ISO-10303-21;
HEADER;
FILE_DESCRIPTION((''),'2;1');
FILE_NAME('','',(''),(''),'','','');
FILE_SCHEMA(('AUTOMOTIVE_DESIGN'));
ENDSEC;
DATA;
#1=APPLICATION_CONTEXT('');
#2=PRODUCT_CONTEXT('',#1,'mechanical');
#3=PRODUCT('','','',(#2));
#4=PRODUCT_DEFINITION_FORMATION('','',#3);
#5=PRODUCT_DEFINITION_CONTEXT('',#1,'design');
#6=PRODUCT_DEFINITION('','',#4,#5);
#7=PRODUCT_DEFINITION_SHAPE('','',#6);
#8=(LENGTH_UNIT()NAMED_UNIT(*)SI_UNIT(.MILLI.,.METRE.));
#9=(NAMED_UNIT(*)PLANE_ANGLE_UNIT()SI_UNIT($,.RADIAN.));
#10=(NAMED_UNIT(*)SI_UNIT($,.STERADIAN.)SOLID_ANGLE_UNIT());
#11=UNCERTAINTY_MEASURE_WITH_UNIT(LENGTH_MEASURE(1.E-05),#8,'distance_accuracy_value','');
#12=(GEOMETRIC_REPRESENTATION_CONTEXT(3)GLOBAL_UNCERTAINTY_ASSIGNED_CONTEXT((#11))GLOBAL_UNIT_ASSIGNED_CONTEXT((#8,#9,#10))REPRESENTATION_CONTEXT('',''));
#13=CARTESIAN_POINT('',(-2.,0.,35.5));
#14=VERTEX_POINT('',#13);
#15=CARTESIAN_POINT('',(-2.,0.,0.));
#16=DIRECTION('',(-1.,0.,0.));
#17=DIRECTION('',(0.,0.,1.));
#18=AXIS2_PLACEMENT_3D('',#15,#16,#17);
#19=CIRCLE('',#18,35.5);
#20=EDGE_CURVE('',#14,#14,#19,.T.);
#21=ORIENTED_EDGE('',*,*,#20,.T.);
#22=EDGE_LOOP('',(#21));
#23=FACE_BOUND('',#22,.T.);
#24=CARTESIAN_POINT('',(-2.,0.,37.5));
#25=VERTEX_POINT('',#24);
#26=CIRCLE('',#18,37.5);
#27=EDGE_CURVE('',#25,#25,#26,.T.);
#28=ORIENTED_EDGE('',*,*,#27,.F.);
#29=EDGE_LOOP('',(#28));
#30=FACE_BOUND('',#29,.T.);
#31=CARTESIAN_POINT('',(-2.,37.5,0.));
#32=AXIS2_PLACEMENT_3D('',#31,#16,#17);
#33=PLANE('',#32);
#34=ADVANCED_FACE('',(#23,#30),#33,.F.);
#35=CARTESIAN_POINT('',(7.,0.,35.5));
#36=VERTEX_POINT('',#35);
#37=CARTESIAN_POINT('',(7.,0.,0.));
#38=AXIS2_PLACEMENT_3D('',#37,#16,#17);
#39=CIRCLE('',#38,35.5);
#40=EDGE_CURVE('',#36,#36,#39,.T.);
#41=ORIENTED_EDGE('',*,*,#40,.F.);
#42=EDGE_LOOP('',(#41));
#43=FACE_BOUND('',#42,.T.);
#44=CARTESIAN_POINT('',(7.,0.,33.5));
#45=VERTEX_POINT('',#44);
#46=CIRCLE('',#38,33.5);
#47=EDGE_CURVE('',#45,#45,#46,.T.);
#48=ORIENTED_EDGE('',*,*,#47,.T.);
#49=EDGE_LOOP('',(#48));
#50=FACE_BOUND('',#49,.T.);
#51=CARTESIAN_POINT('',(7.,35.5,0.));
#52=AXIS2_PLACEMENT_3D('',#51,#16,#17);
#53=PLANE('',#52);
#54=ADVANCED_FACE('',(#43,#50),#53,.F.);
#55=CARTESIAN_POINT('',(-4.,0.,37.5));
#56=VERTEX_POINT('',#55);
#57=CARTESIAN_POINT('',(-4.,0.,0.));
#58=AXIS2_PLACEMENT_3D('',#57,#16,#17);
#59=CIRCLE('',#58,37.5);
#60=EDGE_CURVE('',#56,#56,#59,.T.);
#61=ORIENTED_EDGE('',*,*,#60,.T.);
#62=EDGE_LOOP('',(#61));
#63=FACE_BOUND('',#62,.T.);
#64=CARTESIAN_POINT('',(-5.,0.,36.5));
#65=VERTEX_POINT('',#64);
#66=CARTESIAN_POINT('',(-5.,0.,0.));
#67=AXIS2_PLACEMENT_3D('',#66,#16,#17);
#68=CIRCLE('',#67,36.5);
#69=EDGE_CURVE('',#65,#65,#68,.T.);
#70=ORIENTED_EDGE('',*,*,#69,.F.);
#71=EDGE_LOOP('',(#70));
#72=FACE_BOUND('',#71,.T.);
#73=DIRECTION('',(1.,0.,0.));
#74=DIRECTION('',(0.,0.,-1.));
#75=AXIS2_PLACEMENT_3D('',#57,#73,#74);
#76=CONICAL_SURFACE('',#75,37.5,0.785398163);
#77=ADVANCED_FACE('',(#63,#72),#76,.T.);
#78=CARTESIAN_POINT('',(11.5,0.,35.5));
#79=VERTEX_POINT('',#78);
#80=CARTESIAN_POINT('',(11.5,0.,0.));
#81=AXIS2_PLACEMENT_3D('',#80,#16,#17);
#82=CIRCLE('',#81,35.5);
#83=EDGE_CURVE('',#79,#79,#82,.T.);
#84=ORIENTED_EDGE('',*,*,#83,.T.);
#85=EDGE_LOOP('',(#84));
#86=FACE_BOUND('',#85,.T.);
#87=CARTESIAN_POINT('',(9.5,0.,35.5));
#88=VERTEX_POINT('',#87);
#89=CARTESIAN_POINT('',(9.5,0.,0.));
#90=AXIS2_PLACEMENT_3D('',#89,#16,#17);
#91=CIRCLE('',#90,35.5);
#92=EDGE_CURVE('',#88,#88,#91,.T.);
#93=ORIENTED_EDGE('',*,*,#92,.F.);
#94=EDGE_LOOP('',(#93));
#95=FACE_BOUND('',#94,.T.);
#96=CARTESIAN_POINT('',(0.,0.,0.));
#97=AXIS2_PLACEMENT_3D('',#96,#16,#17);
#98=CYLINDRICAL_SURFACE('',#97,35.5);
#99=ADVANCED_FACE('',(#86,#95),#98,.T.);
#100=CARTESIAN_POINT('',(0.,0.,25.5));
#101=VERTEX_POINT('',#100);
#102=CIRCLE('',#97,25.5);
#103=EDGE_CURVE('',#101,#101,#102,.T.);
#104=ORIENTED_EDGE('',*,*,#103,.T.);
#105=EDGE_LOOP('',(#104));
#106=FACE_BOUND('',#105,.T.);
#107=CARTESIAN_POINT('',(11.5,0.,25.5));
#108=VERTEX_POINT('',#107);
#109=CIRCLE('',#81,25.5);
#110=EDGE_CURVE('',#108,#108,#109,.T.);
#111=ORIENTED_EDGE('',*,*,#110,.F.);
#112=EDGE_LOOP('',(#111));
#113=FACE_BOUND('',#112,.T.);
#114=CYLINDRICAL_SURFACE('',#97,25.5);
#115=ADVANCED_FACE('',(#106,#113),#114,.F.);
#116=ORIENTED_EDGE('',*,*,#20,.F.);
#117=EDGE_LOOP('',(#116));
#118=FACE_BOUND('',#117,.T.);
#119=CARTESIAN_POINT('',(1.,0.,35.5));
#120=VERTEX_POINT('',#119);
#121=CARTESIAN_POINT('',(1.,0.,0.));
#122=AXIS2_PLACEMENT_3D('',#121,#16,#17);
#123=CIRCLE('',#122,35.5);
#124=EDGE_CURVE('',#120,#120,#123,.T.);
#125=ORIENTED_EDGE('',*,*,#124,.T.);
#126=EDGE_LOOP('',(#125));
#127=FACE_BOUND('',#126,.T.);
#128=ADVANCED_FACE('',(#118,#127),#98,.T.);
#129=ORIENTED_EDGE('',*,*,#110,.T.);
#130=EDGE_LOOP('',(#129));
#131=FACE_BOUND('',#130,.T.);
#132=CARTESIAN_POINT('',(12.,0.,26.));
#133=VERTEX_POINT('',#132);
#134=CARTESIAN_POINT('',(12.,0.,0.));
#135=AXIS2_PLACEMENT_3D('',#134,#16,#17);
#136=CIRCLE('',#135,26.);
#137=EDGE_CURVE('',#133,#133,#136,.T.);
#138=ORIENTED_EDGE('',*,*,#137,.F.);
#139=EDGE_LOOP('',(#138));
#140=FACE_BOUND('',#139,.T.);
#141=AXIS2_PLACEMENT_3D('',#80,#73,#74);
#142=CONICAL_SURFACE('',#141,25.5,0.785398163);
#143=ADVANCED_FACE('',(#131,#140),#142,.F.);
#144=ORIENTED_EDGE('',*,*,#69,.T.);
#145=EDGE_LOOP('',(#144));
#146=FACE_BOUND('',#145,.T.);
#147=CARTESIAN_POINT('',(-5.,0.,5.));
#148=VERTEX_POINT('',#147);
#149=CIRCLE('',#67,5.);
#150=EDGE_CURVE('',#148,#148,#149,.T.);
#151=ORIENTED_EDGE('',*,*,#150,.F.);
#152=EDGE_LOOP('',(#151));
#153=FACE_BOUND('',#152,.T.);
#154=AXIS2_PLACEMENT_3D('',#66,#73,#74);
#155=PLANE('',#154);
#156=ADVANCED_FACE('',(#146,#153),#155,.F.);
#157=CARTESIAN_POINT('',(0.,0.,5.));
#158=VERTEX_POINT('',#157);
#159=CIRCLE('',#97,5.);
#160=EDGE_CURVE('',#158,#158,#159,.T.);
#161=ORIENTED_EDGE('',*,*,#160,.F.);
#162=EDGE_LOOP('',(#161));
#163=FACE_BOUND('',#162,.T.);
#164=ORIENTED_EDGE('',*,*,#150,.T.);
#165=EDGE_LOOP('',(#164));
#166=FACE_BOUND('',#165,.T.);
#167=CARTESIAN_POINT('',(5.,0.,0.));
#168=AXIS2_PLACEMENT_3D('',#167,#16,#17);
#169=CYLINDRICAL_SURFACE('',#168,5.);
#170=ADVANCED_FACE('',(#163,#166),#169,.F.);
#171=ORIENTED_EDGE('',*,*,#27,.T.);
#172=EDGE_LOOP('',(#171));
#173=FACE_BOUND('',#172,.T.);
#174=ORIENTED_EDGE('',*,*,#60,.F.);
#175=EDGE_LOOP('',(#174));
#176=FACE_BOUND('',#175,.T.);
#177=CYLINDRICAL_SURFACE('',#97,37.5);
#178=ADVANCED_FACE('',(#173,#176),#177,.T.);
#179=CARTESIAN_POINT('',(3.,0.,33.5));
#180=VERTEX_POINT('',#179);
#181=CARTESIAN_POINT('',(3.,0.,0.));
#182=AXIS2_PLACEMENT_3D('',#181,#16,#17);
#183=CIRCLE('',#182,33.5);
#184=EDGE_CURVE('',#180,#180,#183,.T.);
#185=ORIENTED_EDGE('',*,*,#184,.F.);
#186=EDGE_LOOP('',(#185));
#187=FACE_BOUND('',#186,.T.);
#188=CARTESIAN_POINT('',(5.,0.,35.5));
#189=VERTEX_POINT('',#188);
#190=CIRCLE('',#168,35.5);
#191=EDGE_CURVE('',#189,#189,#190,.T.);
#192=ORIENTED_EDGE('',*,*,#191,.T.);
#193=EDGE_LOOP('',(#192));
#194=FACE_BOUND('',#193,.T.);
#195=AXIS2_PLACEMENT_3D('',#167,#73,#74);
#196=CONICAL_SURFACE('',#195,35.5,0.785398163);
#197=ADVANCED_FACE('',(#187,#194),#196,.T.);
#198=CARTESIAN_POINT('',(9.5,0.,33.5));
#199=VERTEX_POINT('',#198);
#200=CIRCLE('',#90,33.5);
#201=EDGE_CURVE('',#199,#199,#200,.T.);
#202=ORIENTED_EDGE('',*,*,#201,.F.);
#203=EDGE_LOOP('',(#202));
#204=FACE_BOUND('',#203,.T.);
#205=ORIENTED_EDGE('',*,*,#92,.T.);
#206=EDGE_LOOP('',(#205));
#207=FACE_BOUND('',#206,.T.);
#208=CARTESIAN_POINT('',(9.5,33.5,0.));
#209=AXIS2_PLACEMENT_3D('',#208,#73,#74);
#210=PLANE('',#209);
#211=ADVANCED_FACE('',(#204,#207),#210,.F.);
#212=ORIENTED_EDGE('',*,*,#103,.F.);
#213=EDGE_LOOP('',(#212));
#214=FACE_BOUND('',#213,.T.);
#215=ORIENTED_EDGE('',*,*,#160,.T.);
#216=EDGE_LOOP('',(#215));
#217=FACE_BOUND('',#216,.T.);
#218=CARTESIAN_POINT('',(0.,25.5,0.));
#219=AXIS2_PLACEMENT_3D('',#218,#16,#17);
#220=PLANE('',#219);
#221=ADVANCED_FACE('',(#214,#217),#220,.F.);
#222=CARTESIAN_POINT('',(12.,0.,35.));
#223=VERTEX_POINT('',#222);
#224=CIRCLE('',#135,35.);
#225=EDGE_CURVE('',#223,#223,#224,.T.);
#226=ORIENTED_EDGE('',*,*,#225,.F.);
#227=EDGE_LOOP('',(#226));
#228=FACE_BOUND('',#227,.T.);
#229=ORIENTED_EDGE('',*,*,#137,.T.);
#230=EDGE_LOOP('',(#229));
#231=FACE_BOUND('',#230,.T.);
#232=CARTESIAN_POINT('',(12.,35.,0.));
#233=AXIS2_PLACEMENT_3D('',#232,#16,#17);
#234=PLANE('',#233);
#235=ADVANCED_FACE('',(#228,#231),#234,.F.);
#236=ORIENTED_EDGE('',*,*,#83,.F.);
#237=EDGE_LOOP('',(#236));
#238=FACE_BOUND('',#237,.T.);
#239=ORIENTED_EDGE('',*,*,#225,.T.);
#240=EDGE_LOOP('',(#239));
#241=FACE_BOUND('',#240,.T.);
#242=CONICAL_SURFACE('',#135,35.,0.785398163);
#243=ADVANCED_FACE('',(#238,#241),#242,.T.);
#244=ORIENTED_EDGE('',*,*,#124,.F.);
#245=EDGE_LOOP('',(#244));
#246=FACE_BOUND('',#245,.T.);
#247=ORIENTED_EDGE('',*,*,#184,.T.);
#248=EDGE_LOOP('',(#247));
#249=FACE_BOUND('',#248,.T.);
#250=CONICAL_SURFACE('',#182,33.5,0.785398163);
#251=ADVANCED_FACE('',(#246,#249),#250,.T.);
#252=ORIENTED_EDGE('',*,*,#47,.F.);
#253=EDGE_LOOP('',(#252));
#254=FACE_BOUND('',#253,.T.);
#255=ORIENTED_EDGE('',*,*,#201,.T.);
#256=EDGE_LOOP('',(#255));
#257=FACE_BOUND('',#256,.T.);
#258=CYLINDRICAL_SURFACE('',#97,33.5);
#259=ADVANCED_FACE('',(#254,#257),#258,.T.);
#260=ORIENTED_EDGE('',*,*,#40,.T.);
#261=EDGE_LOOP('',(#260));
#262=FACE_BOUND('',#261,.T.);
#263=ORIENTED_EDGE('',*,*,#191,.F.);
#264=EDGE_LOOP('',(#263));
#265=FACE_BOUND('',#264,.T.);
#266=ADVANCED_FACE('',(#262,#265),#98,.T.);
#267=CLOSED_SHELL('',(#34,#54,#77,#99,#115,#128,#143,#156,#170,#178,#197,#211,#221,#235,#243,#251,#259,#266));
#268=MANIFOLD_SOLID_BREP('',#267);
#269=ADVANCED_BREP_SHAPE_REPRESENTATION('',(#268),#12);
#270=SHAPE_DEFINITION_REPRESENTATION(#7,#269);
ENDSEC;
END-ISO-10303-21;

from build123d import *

# Parameters (mm, degrees)
SKETCH_2_R          = 5
CUT_EXTRUDE_1_DEPTH = 10


with BuildPart() as part:
    # Эскиз1 → Повернуть1 (revolve)
    with BuildSketch(Plane.XY, mode=Mode.PRIVATE) as revolve_1_sk:
        Polygon((-5, 0), (-5, 36.5), (-4, 37.5), (-2, 37.5), (-2, 35.5), (1, 35.5), (3, 33.5), (5, 35.5), (7, 35.5), (7, 33.5), (9.5, 33.5), (9.5, 35.5), (11.5, 35.5), (12, 35), (12, 26), (11.5, 25.5), (0, 25.5), (0, 0), align=None)
    revolve(revolve_1_sk.sketch.rotate(Axis((0, 0, 0), (1, 0, 0)), 90), axis=Axis((0, 0, 0), (1, 0, 0)))

    # Эскиз2 → Вырез-Вытянуть1 (cut)
    with BuildSketch(Plane.ZY.offset(5)):
        Circle(SKETCH_2_R)
    extrude(amount=-CUT_EXTRUDE_1_DEPTH, mode=Mode.SUBTRACT)


solid = part.part
